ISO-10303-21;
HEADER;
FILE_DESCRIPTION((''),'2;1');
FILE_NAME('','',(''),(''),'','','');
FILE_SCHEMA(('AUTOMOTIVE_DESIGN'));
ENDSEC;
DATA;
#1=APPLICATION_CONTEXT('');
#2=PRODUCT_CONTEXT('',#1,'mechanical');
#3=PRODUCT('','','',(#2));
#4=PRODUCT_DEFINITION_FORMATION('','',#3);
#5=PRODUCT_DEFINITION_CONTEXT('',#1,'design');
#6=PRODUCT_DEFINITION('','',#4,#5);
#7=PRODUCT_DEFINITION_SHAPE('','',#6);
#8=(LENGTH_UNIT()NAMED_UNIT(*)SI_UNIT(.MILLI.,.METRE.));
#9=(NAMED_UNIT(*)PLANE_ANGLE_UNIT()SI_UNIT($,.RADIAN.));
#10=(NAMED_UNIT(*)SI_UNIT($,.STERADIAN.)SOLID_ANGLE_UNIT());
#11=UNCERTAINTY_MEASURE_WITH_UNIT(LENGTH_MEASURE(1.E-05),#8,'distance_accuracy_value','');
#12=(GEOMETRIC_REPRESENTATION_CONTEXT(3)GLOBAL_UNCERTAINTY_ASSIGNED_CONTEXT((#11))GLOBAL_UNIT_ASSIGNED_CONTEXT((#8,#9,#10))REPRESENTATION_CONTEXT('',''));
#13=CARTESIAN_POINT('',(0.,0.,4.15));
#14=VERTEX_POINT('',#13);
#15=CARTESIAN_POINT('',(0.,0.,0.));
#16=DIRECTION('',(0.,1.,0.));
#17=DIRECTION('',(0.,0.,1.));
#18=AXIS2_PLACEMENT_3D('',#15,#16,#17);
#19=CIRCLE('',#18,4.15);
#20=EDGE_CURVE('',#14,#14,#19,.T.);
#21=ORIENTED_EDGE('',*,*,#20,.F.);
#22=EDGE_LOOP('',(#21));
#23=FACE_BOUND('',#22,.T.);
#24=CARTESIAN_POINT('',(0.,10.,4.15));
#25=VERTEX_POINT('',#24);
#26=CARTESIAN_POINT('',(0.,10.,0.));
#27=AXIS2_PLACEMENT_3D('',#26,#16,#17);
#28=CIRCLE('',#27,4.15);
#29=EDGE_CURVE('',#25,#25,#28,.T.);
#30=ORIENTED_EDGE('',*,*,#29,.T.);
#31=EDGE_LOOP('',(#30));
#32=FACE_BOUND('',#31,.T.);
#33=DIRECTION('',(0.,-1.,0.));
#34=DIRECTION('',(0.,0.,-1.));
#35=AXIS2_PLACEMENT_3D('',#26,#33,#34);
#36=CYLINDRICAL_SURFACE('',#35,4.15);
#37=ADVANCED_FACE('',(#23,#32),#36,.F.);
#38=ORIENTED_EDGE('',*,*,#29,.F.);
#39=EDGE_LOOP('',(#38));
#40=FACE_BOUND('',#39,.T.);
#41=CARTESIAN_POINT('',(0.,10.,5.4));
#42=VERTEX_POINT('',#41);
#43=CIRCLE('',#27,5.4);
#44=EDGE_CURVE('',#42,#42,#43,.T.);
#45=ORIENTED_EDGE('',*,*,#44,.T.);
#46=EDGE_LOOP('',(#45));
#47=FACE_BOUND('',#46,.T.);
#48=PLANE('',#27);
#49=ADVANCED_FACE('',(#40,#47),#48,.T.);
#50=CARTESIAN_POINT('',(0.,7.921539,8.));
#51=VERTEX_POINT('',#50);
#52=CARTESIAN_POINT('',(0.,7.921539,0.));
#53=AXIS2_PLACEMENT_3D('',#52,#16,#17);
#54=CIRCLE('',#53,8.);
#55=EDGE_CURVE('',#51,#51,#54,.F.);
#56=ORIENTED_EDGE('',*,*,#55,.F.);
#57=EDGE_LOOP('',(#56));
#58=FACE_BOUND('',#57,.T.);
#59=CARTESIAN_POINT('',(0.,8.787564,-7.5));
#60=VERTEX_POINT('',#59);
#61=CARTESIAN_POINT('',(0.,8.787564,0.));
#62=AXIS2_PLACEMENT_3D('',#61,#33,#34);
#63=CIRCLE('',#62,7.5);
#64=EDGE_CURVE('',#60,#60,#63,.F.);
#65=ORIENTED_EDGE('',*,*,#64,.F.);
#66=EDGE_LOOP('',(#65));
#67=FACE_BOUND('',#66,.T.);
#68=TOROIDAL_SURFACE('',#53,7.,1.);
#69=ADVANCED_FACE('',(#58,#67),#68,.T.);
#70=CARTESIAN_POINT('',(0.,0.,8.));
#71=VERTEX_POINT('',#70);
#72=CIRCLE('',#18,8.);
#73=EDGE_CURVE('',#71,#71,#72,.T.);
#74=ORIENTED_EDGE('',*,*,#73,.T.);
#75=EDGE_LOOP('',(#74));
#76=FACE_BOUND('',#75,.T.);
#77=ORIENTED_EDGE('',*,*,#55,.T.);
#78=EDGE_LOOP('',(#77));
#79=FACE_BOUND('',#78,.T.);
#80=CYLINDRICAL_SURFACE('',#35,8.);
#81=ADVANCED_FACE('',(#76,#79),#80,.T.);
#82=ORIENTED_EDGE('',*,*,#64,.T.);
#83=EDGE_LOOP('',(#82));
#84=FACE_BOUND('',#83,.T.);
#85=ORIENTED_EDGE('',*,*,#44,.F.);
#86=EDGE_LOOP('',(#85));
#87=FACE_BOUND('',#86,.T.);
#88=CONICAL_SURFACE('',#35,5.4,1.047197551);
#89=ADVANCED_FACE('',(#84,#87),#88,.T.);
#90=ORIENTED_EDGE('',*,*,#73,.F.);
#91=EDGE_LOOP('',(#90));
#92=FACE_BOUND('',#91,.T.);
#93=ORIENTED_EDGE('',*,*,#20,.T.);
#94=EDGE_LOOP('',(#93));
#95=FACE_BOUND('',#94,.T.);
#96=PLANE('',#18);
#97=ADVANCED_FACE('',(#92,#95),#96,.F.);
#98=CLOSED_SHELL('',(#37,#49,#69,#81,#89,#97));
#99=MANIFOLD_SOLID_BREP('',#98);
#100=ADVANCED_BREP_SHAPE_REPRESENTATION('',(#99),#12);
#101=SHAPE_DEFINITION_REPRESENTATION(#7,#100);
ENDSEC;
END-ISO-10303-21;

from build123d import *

# Parameters (mm, degrees)
SKETCH1_R           = 8
SKETCH1_R_2         = 4.15
BOSS_EXTRUDE1_DEPTH = 10
CHAMFER1_SIZE       = 2.6
CHAMFER1_SIZE2      = 1.5011107
FILLET1_R           = 1


with BuildPart() as part:
    # Sketch1 → Boss-Extrude1 (new body)
    with BuildSketch(Plane(origin=(0, 0, 0), x_dir=(1, 0, 0), z_dir=(0, 1, 0))):
        Circle(SKETCH1_R)
        Circle(SKETCH1_R_2, mode=Mode.SUBTRACT)
    extrude(amount=BOSS_EXTRUDE1_DEPTH)

    # Chamfer1
    chamfer1_edges = [part.edges().sort_by_distance(p)[0] for p in [
        (-8, 10, 0),
    ]]
    chamfer1_side = [part.faces().sort_by_distance(p)[0] for p in [
        (-7.77372583, 10, 0),
    ]]
    chamfer(chamfer1_edges, length=CHAMFER1_SIZE, length2=CHAMFER1_SIZE2, reference=chamfer1_side[0])

    # Fillet1
    fillet1_edges = [part.edges().sort_by_distance(p)[0] for p in [
        (-8, 8.4988893, 0),
    ]]
    fillet(fillet1_edges, radius=FILLET1_R)


solid = part.part
